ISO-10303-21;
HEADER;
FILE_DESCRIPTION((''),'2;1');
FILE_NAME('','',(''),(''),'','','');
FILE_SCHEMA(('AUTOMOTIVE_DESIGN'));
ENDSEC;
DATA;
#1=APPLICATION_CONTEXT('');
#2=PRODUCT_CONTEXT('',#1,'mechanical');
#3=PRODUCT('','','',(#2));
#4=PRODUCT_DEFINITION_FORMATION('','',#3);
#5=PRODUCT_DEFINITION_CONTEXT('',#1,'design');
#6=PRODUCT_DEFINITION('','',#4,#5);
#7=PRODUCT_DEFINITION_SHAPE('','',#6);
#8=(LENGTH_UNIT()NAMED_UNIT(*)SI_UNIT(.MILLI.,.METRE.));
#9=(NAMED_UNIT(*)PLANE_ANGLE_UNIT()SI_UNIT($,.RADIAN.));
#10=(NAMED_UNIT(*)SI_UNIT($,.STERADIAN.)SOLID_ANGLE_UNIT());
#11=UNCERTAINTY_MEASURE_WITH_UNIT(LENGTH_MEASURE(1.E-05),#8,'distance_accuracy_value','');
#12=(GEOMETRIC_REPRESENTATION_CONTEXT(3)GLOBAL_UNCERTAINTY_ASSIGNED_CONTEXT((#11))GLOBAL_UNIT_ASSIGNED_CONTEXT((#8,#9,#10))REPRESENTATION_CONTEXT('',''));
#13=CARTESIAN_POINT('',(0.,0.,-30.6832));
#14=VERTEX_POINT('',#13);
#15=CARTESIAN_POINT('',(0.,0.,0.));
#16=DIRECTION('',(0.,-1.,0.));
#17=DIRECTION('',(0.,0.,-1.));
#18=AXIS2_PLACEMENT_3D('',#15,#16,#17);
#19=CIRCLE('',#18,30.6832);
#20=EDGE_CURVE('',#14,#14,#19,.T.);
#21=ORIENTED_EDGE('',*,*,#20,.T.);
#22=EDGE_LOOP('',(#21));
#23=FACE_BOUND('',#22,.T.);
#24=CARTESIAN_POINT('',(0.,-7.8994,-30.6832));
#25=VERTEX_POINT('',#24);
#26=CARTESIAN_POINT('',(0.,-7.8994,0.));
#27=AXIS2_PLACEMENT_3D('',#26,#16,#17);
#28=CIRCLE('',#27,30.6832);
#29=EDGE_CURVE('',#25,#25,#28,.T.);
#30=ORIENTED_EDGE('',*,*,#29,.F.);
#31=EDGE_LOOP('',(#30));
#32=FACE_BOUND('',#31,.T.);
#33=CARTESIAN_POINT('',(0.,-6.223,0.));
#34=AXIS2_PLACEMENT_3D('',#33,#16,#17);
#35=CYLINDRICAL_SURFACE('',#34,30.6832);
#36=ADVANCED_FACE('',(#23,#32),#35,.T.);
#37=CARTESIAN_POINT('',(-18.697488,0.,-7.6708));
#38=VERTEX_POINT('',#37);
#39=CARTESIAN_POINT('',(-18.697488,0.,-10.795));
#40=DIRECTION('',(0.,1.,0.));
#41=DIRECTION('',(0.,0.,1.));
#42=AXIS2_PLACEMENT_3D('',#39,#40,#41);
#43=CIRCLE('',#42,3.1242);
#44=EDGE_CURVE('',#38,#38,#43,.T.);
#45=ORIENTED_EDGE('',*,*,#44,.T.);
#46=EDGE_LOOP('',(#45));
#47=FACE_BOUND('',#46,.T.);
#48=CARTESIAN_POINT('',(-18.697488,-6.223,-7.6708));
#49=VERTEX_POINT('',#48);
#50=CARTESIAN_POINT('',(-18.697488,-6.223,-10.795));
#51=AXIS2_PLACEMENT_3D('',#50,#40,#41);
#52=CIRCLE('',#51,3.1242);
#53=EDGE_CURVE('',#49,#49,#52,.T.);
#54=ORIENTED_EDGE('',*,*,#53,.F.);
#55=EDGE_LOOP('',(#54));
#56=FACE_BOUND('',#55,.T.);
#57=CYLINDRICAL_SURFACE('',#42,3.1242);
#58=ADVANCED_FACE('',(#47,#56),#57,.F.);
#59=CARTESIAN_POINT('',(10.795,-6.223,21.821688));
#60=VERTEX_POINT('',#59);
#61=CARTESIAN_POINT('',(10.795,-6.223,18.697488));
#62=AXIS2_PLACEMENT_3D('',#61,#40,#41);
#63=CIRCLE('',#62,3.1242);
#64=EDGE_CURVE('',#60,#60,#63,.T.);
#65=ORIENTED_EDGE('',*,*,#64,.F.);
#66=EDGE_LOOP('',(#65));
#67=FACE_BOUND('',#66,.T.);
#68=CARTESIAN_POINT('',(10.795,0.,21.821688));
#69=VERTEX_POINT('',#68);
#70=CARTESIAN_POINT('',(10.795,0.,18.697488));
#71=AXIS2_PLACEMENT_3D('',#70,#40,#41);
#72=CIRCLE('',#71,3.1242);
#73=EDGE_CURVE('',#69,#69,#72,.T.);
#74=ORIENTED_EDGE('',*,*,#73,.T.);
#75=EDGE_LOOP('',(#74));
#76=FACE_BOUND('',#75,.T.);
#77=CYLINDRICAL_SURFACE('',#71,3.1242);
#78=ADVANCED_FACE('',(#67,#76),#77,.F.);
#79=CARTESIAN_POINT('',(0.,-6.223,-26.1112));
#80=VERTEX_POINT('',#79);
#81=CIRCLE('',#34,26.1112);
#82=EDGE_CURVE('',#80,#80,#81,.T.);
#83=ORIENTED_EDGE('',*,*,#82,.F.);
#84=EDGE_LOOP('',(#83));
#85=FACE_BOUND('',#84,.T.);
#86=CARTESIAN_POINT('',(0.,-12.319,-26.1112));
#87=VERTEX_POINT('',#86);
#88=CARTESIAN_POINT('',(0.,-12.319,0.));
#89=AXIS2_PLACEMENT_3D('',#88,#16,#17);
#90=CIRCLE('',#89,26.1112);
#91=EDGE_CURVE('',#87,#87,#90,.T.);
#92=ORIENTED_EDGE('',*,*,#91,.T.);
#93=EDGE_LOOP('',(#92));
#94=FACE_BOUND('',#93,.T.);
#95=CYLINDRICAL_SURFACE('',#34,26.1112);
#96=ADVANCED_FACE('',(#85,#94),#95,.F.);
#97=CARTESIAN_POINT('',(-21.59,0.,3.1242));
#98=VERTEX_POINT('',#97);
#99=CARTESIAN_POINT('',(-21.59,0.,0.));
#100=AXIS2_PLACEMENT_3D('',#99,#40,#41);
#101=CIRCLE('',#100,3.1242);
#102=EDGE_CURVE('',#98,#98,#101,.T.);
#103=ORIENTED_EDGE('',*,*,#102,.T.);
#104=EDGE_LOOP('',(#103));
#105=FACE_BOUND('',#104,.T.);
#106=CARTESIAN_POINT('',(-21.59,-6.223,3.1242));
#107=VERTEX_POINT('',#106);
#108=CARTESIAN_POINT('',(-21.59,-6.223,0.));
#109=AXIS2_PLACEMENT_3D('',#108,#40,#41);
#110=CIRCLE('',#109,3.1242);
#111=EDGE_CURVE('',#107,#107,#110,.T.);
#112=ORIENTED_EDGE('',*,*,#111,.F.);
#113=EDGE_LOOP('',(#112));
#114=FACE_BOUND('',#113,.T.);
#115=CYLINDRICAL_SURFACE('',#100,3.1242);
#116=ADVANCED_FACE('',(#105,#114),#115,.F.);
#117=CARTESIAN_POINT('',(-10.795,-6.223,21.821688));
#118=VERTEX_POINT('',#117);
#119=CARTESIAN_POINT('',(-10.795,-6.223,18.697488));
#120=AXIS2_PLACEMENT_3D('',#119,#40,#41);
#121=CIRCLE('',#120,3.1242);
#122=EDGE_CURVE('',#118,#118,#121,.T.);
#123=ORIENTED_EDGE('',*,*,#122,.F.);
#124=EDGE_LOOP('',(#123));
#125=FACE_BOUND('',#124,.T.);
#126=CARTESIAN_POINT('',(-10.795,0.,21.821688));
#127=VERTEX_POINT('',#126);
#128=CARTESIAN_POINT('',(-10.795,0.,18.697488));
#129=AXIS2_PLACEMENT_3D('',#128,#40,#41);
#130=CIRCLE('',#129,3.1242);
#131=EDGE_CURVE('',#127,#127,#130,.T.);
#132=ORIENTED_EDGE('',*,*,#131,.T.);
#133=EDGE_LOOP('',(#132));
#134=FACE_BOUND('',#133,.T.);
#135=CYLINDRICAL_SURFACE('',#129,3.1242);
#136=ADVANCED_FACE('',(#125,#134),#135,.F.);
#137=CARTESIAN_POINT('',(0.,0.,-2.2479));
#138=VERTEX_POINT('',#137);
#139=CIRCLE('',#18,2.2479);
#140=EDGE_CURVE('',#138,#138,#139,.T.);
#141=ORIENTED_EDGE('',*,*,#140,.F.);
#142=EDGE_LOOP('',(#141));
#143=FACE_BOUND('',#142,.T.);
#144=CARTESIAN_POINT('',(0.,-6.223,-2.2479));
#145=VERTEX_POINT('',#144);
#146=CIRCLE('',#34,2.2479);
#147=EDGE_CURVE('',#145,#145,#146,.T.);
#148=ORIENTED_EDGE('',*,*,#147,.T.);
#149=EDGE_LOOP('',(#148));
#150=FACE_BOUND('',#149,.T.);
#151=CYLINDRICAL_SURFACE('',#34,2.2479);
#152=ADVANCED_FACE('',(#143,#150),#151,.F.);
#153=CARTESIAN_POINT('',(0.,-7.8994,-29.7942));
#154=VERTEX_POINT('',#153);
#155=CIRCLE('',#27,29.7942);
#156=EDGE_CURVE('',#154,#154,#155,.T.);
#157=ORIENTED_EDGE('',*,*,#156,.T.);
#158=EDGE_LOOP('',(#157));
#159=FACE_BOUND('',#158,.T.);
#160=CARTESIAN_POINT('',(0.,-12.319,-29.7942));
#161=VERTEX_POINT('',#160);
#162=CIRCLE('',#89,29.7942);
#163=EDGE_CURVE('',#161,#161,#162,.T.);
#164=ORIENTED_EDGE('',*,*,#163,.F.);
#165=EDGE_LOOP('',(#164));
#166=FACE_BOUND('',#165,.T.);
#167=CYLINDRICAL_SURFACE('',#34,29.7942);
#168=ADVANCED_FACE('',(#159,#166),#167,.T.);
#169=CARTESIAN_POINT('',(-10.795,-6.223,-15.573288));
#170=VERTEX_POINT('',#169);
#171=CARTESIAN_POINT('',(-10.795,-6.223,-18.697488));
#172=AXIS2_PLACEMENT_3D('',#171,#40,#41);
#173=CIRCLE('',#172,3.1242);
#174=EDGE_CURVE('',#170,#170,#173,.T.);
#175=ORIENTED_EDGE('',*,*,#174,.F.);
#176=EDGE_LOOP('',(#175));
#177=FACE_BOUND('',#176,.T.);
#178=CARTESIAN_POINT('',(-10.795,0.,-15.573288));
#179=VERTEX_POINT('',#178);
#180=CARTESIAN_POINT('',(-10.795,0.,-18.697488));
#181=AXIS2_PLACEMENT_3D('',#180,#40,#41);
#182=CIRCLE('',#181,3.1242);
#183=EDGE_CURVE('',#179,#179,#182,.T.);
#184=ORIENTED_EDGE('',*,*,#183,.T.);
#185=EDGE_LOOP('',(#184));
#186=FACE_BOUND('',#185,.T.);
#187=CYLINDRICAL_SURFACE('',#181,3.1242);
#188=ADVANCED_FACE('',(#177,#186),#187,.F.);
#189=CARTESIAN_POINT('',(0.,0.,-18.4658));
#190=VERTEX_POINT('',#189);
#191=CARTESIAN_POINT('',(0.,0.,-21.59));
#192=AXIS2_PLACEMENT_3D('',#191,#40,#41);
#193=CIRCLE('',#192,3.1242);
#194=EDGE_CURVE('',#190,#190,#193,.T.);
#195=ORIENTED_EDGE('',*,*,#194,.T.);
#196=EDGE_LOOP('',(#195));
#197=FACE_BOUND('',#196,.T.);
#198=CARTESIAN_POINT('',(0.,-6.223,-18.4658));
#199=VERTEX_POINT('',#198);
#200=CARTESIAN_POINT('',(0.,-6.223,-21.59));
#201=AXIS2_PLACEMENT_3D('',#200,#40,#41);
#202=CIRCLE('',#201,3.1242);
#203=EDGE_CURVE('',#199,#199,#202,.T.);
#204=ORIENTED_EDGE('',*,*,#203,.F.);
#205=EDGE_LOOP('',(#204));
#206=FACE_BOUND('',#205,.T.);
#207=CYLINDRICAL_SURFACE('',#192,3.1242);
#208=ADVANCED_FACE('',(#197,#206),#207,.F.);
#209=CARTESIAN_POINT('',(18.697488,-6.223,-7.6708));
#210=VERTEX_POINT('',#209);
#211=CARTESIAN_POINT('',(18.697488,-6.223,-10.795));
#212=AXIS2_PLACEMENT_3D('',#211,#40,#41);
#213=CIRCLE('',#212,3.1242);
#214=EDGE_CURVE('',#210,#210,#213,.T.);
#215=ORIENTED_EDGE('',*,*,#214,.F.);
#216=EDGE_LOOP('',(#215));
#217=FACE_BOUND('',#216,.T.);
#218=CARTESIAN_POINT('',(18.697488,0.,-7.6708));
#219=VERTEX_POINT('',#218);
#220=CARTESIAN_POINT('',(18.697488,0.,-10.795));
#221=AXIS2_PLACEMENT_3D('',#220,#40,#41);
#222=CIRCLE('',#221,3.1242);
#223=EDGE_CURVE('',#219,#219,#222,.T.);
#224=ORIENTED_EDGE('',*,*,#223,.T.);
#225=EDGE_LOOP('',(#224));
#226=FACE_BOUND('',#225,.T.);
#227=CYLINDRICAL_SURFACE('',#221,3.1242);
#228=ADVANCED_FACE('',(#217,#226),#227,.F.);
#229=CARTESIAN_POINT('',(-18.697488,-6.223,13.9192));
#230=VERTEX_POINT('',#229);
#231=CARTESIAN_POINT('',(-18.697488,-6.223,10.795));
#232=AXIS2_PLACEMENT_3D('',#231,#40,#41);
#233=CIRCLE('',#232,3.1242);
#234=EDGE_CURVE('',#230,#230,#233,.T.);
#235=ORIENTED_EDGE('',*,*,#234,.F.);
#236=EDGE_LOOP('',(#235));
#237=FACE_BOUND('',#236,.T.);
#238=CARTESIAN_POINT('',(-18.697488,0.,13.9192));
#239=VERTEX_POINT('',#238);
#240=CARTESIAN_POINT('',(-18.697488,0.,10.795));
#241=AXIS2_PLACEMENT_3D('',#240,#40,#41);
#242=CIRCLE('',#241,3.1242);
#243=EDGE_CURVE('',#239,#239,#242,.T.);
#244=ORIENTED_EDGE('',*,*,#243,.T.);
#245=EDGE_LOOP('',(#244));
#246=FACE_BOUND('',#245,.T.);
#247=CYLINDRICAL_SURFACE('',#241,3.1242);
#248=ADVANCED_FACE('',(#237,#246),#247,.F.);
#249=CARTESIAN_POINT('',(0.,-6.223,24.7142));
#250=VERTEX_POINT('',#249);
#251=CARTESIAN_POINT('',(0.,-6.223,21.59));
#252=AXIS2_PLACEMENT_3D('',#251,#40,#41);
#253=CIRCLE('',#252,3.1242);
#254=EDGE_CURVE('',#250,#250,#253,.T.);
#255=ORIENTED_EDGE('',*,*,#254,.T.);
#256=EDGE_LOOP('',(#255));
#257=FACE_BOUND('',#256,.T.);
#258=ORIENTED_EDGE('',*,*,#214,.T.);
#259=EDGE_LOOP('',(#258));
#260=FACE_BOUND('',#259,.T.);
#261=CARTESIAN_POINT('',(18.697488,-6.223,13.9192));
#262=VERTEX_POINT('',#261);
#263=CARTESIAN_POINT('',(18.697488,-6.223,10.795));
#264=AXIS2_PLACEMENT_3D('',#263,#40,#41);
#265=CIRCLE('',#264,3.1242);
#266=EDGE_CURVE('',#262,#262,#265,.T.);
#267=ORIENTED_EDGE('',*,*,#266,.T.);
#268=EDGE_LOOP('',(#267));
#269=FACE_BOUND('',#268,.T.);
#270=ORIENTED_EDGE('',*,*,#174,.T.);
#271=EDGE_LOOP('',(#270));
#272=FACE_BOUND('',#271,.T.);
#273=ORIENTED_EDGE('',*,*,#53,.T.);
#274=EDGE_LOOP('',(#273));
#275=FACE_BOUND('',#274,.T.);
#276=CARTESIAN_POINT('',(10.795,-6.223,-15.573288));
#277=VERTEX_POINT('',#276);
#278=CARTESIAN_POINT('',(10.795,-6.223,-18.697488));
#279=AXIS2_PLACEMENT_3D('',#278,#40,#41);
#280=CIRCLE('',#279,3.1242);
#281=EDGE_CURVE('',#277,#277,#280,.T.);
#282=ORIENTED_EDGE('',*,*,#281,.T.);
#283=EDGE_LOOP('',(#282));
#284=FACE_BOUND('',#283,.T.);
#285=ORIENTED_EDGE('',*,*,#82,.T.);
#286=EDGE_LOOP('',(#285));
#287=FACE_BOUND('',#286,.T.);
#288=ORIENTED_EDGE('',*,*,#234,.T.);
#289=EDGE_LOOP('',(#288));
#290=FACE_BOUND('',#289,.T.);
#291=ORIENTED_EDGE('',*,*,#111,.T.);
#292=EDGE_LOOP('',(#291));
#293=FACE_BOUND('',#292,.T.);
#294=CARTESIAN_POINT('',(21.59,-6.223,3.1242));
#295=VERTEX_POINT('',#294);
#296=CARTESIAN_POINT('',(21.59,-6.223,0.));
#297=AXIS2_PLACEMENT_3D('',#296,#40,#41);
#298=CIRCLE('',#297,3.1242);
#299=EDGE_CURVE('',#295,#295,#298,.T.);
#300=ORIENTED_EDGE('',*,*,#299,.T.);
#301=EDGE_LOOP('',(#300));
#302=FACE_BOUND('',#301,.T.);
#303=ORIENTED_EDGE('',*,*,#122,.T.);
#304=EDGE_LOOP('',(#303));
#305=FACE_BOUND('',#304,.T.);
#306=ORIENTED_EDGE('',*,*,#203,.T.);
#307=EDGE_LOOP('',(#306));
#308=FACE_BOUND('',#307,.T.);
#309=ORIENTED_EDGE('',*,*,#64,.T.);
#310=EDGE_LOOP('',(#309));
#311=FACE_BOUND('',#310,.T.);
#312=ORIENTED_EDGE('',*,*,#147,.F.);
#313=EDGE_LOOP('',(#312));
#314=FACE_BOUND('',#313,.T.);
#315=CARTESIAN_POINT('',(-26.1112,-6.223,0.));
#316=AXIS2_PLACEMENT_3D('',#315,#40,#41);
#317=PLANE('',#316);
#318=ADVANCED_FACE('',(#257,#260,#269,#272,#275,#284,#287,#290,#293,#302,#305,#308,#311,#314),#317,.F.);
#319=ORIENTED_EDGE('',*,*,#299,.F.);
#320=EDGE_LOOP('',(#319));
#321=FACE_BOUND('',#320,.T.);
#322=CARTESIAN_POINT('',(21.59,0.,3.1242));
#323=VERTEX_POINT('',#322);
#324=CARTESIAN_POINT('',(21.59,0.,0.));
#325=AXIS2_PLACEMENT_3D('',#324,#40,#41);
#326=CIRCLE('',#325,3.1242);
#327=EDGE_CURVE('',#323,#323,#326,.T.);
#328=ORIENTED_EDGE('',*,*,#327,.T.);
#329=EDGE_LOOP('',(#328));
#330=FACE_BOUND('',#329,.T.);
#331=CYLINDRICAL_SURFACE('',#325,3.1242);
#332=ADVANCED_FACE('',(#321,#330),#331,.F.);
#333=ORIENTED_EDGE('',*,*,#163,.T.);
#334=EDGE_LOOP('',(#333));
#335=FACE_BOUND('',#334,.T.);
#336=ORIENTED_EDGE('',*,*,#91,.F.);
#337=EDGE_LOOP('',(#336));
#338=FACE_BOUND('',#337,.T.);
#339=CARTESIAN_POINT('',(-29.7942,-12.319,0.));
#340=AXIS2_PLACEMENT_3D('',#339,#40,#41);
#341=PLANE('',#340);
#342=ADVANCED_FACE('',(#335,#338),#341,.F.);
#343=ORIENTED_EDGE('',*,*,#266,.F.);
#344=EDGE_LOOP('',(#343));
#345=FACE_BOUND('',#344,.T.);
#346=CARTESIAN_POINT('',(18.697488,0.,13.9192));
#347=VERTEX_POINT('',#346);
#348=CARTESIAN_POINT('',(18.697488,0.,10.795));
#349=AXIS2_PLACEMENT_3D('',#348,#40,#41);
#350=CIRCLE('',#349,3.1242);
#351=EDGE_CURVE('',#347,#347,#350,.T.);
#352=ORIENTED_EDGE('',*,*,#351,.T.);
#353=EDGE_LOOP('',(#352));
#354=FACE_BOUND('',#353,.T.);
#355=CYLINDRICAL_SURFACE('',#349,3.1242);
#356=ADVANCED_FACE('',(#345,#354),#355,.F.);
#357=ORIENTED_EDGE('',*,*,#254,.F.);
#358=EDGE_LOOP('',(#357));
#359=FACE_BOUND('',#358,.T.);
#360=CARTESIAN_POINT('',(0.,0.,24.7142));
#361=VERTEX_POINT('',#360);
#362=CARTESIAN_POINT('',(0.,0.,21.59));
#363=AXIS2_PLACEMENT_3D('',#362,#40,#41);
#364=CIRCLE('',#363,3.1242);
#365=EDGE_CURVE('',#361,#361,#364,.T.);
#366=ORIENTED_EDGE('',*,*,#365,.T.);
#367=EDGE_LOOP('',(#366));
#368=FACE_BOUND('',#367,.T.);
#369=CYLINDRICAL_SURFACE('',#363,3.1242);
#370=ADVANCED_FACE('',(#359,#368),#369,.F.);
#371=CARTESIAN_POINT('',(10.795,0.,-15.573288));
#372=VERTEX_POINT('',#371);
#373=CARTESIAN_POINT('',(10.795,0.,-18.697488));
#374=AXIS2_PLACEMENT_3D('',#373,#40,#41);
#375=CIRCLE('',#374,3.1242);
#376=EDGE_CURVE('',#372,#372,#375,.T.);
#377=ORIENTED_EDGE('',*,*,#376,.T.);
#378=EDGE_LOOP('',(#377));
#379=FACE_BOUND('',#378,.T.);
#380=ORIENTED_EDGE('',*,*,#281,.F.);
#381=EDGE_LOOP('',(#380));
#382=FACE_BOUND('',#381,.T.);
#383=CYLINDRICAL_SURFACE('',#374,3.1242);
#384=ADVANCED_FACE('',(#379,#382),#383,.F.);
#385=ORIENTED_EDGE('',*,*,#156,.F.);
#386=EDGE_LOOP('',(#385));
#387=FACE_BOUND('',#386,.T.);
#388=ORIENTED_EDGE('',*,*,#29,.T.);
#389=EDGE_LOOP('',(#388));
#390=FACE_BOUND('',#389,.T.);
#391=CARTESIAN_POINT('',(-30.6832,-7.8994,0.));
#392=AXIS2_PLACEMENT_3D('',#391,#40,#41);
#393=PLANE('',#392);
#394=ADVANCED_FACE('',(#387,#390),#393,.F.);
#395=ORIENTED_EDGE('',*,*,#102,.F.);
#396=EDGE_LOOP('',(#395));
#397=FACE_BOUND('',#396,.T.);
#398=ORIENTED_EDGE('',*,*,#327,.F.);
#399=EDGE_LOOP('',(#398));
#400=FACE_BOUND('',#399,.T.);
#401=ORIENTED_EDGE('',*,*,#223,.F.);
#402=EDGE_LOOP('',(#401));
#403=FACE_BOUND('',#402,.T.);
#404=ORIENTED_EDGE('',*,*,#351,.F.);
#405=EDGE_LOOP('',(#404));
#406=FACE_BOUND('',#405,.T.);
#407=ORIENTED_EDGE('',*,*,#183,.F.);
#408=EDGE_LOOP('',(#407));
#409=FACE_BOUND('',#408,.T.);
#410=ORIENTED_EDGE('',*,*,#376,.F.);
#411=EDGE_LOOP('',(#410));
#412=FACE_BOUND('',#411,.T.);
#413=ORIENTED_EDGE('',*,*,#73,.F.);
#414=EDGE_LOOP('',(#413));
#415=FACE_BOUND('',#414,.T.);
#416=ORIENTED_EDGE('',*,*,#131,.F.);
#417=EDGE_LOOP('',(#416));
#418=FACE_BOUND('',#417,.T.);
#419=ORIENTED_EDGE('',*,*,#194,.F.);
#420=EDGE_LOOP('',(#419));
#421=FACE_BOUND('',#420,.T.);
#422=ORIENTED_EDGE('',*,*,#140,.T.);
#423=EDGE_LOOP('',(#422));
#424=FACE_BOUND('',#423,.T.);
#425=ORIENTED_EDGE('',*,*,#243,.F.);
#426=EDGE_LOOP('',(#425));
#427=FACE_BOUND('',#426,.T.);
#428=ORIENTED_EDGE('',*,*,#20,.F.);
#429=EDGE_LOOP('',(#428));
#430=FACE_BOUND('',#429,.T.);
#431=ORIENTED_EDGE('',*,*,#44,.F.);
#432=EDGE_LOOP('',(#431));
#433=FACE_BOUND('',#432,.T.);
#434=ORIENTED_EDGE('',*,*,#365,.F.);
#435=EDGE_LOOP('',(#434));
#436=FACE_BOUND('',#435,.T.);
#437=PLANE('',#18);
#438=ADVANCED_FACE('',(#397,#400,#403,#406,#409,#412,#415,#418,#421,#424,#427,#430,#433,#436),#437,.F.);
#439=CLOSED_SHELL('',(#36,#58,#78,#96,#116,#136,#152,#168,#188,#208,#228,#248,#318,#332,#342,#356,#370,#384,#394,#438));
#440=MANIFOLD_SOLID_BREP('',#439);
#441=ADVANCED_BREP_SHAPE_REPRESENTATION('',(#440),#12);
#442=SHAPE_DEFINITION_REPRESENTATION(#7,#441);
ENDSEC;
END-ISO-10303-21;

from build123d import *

# Parameters (mm, degrees)
CIRPATTERN1_COUNT         = 12
F_8_CLEARANCE_HOLE1_D     = 4.4958
F_8_CLEARANCE_HOLE1_DEPTH = 9.652
F_8_CLEARANCE_HOLE1_TIP   = 1.350674586


with BuildPart() as part:
    # Sketch1 → Revolve1 (revolve)
    with BuildSketch(Plane.XY, mode=Mode.PRIVATE) as revolve1_sk:
        Polygon((0, 0), (-30.6832, 0), (-30.6832, -7.8994), (-29.7942, -7.8994), (-29.7942, -12.319), (-26.1112, -12.319), (-26.1112, -6.223), (0, -6.223), align=None)
    revolve(revolve1_sk.sketch.rotate(Axis((0, -6.223, 0), (0, 1, 0)), 270), axis=Axis((0, -6.223, 0), (0, 1, 0)))

    # Sketch3 → D (0.246) Diameter Hole1 (revolve, cut)
    with BuildSketch(Plane(origin=(0, 0, -21.59), x_dir=(0, 0, 1), z_dir=(1, 0, 0))):
        Polygon((0, 0), (0, 14.577208746), (3.1242, 12.7), (3.1242, 0), align=None)
    d_0_246_diameter_hole1 = revolve(axis=Axis((0, 6.35, -21.59), (0, -1, 0)), mode=Mode.SUBTRACT)

    # CirPattern1: D (0.246) Diameter Hole1 ×12 about axis
    cirpattern1_axis = Axis((0, 0, 0), (0, 1, 0))
    for i in range(1, CIRPATTERN1_COUNT):
        add(d_0_246_diameter_hole1.rotate(cirpattern1_axis, i * 360 / CIRPATTERN1_COUNT), mode=Mode.SUBTRACT)

    # #8 Clearance Hole1
    with Locations(Plane.XZ.offset(6.223)):
        with Locations((0, 0)):
            Hole(F_8_CLEARANCE_HOLE1_D / 2, depth=F_8_CLEARANCE_HOLE1_DEPTH)
            with Locations((0, 0, -(F_8_CLEARANCE_HOLE1_DEPTH + F_8_CLEARANCE_HOLE1_TIP / 2))):  # 118° drill point
                Cone(0, F_8_CLEARANCE_HOLE1_D / 2, F_8_CLEARANCE_HOLE1_TIP, mode=Mode.SUBTRACT)


solid = part.part
